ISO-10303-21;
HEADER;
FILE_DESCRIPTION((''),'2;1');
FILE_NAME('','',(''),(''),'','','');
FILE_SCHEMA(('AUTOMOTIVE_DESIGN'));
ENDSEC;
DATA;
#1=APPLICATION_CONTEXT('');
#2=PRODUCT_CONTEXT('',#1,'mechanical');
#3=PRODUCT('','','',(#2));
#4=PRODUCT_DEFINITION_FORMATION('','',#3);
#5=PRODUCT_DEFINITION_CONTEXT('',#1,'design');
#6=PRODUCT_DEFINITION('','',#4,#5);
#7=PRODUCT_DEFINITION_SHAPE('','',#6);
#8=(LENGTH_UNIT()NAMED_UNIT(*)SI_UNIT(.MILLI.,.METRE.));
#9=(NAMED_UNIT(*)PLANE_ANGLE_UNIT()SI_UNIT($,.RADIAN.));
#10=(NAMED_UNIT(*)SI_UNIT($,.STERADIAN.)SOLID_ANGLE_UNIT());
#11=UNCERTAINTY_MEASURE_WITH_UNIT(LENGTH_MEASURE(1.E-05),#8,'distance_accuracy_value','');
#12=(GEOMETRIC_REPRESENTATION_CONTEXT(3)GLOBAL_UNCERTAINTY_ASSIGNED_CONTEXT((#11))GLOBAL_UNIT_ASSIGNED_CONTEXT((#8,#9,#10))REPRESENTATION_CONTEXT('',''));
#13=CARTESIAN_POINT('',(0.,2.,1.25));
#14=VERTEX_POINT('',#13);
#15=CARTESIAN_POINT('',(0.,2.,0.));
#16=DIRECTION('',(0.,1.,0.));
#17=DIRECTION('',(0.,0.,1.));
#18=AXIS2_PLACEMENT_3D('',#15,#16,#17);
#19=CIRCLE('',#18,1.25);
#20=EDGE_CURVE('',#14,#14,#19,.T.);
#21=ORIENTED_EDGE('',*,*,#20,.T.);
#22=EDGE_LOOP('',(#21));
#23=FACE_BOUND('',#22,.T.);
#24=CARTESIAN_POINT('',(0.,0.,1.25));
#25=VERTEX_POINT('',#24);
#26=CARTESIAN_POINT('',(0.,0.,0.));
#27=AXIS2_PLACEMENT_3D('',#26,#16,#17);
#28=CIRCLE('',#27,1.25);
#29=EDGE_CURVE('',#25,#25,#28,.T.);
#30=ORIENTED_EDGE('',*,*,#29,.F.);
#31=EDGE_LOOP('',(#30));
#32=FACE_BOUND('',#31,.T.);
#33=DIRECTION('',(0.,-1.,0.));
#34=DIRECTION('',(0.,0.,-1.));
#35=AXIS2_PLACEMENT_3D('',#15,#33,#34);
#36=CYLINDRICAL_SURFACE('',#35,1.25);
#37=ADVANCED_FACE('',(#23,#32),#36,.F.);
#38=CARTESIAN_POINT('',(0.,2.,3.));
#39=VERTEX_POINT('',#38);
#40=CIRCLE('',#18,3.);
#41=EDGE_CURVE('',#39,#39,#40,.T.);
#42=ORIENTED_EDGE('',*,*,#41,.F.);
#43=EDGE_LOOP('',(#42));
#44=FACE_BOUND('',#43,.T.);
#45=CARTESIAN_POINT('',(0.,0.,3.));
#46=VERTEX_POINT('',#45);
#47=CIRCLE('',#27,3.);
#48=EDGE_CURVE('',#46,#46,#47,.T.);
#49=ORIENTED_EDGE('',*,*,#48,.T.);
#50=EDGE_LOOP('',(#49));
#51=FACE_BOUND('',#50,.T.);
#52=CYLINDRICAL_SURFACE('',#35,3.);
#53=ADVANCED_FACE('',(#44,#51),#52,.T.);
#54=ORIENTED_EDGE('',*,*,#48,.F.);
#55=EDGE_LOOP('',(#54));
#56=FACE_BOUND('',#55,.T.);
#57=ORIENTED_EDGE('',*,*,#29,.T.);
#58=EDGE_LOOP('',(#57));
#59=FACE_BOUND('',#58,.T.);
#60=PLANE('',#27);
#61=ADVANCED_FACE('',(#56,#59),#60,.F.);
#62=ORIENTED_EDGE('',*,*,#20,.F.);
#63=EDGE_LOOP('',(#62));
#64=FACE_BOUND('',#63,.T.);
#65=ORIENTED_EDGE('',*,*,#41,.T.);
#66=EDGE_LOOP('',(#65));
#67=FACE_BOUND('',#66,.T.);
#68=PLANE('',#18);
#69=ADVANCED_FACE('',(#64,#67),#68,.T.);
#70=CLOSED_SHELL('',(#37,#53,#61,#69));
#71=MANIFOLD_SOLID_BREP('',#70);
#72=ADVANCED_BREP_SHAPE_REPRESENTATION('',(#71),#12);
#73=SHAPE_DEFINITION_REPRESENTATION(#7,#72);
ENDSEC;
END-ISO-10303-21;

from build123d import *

# Parameters (mm, degrees)
SKETCH_1_R      = 3
SKETCH_1_R_2    = 1.25
EXTRUDE_1_DEPTH = 2


with BuildPart() as part:
    # Эскиз1 → Бобышка-Вытянуть1 (new body)
    with BuildSketch(Plane(origin=(0, 0, 0), x_dir=(1, 0, 0), z_dir=(0, 1, 0))):
        with Locations(Location((0, 0, 0), (0, 0, 270))):
            Circle(SKETCH_1_R)
        with Locations(Location((0, 0, 0), (0, 0, 270))):
            Circle(SKETCH_1_R_2, mode=Mode.SUBTRACT)
    extrude(amount=EXTRUDE_1_DEPTH)


solid = part.part
